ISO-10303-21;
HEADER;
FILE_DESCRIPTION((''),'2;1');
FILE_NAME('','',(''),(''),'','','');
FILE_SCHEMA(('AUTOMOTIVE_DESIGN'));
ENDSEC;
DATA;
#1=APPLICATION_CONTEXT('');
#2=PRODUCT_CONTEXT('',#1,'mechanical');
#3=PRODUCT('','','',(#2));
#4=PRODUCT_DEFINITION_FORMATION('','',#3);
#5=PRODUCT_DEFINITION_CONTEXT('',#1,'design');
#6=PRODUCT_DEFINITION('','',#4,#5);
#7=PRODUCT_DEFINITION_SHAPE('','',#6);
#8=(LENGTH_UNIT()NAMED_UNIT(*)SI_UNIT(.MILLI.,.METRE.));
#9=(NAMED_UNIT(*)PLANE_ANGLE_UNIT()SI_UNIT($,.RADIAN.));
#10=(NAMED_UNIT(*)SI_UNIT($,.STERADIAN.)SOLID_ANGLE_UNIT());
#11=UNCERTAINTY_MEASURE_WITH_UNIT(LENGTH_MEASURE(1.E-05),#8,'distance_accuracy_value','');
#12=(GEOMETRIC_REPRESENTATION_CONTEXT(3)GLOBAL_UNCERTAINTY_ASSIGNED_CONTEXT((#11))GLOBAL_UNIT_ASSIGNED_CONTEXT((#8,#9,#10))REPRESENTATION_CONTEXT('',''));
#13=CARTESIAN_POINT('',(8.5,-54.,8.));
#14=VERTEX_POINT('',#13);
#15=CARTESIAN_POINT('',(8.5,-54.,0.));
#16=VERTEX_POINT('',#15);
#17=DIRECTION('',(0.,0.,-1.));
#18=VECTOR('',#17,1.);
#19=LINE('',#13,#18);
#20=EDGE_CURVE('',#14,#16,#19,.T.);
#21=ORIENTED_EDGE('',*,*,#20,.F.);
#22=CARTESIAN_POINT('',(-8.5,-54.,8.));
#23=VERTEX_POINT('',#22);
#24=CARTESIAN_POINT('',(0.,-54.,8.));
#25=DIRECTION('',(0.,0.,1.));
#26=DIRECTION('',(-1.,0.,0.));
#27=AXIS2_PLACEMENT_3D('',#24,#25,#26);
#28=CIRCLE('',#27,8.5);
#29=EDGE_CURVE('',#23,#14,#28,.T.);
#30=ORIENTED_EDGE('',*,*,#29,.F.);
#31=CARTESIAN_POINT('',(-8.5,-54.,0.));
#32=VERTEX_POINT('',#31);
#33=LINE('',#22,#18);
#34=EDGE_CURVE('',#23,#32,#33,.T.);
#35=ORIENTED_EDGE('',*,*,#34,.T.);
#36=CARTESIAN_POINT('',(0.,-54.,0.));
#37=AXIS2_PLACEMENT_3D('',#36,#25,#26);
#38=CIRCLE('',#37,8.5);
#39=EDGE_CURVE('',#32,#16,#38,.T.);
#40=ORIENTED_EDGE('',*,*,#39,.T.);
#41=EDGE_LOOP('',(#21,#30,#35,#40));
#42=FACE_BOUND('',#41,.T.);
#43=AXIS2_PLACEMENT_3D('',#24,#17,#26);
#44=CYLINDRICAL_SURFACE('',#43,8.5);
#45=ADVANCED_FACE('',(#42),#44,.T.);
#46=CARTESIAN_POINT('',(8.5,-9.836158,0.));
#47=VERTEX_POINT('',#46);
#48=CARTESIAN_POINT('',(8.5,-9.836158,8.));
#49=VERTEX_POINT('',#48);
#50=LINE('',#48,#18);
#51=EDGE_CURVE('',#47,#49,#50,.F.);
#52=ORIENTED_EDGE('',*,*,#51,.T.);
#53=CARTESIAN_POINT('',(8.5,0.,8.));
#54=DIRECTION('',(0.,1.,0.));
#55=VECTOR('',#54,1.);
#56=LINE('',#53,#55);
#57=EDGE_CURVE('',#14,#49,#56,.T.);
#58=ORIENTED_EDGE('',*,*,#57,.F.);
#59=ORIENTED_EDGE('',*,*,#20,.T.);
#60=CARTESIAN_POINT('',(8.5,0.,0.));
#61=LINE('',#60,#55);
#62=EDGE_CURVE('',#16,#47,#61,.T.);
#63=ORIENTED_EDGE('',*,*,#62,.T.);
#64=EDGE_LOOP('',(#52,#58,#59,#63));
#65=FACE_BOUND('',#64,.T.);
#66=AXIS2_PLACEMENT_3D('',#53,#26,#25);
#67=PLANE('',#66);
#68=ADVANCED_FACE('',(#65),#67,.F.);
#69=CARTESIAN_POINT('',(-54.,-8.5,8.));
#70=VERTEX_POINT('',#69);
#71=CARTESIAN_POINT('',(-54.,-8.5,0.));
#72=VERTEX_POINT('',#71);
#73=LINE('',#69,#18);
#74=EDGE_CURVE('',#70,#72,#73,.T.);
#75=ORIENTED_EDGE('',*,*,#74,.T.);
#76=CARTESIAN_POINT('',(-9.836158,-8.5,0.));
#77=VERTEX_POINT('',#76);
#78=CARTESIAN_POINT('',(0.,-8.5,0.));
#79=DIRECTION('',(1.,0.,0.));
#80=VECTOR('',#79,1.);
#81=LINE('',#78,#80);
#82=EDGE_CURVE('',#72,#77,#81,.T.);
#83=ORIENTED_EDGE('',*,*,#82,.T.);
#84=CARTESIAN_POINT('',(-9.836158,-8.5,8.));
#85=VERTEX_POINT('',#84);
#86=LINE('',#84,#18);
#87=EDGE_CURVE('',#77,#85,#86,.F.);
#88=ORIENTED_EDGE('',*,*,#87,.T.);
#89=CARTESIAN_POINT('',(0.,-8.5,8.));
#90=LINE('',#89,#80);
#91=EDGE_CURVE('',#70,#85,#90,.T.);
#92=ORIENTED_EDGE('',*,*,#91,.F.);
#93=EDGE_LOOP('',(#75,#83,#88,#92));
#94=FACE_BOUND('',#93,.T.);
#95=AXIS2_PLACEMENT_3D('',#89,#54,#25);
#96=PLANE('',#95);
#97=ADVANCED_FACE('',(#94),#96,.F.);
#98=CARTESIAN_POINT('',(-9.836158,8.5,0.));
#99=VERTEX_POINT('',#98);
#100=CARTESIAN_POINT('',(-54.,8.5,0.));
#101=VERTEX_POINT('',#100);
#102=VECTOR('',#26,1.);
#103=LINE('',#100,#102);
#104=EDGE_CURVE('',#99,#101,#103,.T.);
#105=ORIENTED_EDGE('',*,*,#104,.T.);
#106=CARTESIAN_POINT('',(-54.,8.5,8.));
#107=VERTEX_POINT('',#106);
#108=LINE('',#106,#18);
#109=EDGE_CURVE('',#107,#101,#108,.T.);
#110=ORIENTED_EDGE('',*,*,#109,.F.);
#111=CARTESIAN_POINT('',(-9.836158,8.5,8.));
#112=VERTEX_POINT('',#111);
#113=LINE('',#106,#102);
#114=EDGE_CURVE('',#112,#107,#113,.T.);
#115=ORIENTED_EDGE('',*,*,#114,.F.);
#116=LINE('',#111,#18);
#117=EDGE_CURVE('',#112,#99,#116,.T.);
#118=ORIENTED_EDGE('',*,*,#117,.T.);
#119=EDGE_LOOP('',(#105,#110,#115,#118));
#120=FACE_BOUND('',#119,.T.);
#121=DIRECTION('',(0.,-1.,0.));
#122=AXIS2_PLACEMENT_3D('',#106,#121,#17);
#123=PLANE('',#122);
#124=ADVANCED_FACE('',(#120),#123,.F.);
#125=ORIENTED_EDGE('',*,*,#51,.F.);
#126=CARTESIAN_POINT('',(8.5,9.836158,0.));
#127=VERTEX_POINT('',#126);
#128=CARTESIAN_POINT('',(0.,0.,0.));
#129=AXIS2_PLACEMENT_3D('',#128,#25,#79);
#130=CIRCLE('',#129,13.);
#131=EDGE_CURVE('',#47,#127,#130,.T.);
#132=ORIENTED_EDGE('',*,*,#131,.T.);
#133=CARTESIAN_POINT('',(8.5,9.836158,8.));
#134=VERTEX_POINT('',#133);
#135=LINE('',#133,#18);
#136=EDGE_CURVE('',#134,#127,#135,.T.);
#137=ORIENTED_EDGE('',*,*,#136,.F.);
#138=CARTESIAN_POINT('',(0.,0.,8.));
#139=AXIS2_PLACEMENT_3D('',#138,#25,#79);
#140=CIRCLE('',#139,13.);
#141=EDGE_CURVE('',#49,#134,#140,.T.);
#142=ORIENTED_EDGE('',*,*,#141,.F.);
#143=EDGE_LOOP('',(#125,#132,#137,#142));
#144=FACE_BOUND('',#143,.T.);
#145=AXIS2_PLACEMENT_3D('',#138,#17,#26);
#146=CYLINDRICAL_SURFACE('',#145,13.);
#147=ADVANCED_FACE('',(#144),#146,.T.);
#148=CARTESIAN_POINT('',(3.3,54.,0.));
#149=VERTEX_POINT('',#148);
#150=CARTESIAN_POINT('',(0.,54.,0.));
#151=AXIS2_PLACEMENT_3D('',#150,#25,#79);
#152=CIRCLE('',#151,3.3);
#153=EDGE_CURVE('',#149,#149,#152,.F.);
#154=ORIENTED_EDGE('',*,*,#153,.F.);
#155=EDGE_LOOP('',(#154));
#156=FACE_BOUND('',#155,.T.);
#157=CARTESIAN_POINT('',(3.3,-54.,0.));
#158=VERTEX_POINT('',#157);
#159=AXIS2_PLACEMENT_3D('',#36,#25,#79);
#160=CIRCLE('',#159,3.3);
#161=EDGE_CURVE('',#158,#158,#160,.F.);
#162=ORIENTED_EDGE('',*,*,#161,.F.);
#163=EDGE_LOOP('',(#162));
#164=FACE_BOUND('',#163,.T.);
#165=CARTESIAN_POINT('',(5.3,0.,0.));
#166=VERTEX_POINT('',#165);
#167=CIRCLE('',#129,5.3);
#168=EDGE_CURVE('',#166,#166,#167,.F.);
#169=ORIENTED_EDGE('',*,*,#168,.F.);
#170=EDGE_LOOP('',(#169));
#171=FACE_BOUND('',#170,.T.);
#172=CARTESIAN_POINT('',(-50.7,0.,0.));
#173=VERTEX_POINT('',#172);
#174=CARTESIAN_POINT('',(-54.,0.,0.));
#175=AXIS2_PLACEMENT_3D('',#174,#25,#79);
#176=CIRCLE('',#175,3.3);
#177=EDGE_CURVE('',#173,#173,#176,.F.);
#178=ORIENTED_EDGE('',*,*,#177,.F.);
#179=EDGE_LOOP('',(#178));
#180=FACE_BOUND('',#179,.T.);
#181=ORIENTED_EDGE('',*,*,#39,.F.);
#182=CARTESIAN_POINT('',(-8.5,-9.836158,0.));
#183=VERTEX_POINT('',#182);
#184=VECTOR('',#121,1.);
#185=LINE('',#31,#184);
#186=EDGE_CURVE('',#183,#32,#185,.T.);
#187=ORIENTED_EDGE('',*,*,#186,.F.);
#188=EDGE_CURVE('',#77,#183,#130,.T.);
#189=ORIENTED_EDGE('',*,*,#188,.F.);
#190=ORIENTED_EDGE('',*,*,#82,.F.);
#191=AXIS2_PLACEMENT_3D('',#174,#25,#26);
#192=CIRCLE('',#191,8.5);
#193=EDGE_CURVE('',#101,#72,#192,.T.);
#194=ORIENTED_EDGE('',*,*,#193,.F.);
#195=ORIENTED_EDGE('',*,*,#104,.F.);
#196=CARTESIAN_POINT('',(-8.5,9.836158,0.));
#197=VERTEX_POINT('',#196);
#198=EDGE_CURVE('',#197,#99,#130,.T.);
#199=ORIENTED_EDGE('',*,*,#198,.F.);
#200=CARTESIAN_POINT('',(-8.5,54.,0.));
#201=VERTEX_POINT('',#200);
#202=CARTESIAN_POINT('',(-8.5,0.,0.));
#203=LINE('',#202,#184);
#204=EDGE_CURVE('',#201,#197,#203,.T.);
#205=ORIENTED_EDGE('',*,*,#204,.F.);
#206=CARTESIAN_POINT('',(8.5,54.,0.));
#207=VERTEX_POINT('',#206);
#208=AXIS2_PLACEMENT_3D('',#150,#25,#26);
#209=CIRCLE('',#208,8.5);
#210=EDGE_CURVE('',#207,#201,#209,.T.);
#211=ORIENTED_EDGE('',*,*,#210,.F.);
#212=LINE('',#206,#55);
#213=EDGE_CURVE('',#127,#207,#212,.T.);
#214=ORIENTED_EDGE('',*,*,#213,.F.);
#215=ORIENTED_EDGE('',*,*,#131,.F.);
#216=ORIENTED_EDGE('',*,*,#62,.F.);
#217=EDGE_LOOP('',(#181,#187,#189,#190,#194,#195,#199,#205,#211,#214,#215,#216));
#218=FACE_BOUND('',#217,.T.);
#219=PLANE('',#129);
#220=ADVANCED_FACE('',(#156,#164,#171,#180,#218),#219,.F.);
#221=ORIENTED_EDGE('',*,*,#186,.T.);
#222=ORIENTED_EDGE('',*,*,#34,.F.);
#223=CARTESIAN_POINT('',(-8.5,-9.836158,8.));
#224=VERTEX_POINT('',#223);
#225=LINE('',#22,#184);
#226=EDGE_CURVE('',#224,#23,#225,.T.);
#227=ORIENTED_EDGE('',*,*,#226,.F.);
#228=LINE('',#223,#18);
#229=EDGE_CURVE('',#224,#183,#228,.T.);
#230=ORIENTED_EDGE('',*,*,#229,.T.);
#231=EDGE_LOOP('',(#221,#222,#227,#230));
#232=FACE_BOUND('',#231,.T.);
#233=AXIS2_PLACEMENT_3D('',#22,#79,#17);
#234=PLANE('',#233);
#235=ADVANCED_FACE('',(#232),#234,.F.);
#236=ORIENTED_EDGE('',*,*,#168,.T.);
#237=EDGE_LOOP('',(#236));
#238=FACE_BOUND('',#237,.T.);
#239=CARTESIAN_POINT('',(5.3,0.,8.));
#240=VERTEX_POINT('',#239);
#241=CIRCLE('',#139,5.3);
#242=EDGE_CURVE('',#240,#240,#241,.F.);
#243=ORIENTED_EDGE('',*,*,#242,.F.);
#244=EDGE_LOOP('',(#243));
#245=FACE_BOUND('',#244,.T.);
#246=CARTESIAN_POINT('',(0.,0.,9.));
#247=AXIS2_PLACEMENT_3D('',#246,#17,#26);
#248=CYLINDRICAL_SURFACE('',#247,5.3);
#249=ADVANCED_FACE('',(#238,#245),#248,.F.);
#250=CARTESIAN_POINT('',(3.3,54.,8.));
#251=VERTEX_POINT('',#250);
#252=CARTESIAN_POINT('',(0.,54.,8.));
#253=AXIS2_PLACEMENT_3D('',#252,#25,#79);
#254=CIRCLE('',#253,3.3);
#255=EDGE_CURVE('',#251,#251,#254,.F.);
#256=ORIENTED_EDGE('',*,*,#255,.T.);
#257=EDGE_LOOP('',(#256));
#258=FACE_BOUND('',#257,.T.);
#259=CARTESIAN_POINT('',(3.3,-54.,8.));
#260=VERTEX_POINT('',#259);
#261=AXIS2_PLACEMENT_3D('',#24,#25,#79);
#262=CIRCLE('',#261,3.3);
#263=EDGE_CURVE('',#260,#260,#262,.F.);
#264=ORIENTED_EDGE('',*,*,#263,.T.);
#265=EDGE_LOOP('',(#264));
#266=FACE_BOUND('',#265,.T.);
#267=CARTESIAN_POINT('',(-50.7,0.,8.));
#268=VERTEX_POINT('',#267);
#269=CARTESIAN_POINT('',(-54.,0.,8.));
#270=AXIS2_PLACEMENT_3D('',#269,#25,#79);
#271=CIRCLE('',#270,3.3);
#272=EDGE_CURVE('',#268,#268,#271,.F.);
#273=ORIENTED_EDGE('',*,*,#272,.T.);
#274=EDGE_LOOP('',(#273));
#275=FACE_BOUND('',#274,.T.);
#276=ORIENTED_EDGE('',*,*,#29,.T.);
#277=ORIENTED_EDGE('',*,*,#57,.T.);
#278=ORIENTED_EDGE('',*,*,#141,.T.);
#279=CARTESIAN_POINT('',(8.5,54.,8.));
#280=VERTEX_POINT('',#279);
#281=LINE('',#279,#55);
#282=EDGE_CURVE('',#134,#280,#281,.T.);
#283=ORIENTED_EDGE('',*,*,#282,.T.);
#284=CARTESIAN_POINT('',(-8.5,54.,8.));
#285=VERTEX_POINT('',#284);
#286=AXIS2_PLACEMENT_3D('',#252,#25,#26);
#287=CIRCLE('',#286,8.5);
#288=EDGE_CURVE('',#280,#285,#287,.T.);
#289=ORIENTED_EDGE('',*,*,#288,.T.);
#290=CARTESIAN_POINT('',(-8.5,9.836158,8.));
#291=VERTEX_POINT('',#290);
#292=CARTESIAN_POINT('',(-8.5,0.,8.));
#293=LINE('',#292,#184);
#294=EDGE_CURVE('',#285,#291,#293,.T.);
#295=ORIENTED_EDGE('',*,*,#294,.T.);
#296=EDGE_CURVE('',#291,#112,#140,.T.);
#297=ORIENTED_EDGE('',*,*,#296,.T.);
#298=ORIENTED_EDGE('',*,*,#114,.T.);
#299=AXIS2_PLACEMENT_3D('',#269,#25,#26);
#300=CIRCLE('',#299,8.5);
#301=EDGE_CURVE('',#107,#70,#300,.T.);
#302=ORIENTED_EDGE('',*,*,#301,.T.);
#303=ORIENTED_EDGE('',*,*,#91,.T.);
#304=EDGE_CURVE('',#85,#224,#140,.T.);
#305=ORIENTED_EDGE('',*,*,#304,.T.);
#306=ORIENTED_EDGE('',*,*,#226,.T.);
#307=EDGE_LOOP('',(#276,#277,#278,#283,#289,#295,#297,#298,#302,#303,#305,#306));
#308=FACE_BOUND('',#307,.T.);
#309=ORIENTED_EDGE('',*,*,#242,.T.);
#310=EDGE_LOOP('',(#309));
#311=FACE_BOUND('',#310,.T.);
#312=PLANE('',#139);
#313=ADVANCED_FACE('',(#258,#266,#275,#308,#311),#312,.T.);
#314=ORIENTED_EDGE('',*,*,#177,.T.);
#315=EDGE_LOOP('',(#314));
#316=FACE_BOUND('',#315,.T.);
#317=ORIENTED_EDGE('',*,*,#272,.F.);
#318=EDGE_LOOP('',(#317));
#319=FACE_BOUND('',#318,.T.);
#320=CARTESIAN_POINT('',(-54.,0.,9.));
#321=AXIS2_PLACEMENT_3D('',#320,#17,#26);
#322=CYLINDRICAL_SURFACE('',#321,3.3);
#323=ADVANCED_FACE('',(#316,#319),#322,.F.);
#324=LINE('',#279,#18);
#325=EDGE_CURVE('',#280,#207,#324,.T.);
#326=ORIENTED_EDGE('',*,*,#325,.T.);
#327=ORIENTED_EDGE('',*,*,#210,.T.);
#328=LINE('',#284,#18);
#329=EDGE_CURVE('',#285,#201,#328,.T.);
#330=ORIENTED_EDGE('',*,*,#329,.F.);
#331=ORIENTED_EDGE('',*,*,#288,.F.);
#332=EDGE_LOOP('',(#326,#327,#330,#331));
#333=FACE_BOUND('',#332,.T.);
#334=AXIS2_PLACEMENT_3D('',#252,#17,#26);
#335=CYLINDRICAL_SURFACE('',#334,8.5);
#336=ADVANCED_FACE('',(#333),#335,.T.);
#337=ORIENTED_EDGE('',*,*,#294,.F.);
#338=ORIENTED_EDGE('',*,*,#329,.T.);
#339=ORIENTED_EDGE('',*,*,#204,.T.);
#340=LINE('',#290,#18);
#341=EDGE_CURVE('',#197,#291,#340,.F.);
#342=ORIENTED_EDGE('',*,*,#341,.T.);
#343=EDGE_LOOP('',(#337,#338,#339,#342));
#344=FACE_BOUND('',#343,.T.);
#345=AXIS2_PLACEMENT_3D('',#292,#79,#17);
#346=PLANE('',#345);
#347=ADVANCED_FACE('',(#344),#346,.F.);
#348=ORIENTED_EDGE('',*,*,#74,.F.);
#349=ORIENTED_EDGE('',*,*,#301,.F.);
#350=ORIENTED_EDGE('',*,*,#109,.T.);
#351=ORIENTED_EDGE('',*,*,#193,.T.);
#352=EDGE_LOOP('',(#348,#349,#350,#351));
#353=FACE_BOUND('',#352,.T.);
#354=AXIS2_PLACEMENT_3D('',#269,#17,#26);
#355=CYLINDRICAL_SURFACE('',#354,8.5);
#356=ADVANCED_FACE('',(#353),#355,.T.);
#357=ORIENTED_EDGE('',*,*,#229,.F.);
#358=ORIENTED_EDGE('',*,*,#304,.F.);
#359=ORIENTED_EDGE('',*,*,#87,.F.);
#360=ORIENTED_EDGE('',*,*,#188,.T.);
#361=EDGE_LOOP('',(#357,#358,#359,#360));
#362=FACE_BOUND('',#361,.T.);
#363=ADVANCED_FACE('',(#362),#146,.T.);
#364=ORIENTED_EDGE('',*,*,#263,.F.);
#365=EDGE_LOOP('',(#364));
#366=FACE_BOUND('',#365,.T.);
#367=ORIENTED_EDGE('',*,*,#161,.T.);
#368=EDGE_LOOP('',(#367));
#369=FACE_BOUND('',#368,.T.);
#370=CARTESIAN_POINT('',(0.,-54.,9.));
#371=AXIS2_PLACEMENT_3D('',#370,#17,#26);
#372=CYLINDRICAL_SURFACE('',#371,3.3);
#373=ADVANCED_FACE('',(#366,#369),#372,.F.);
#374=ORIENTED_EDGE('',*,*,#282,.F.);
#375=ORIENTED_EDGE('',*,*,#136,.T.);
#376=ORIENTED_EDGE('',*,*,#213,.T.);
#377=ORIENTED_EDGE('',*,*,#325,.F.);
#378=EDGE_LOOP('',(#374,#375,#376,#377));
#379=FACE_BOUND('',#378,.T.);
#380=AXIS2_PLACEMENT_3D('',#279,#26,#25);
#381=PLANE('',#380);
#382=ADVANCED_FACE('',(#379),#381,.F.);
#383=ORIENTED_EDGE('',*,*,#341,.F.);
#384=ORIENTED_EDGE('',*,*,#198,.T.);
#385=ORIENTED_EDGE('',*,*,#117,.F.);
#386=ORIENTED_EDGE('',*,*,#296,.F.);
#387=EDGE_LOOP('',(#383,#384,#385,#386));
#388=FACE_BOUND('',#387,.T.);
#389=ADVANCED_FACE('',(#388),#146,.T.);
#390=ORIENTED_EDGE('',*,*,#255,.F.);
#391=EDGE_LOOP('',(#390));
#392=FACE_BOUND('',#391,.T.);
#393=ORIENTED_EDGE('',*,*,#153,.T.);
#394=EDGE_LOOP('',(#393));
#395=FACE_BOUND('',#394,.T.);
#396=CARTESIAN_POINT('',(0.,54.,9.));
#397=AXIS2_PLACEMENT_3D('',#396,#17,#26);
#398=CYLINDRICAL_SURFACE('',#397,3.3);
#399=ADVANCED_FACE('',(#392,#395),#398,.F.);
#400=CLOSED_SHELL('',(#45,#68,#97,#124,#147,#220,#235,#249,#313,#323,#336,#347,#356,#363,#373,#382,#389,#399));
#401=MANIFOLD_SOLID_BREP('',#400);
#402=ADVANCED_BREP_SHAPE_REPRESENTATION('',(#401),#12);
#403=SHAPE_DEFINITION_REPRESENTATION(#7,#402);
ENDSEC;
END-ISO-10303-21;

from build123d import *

# Parameters (mm, degrees)
S01_CENTRAL_SPINDLE_PAD_R         = 13
F_01_CENTRAL_SPINDLE_PAD_DEPTH    = 8
F_02_CAGE_RIB_1_DEPTH             = 8
F_03_CAGE_RIB_2_DEPTH             = 8
F_04_CAGE_RIB_3_DEPTH             = 8
F_05_START                        = -1
S05_THREE_CAGE_BOLT_HOLES_R       = 3.3
F_05_THREE_CAGE_BOLT_HOLES_DEPTH  = 10
F_06_START                        = -1
S06_SPINDLE_STEM_CLEARANCE_R      = 5.3
F_06_SPINDLE_STEM_CLEARANCE_DEPTH = 10


with BuildPart() as part:
    # S01 - Central spindle pad → 01 - Central spindle pad (new body)
    with BuildSketch(Plane.XY):
        Circle(S01_CENTRAL_SPINDLE_PAD_R)
    extrude(amount=F_01_CENTRAL_SPINDLE_PAD_DEPTH)

    # S02 - Cage rib 1 → 02 - Cage rib 1 (add)
    with BuildSketch(Plane.XY):
        with BuildLine():
            Line((-8.5, 0), (-8.5, 54))
            ThreePointArc((-8.5, 54), (0, 62.5), (8.5, 54))
            Line((8.5, 54), (8.5, 0))
            ThreePointArc((8.5, 0), (0, -8.5), (-8.5, 0))
        make_face()
    extrude(amount=F_02_CAGE_RIB_1_DEPTH)

    # S03 - Cage rib 2 → 03 - Cage rib 2 (add)
    with BuildSketch(Plane.XY):
        with BuildLine():
            Line((0, -8.5), (-54, -8.5))
            ThreePointArc((-54, -8.5), (-62.5, 0), (-54, 8.5))
            Line((-54, 8.5), (0, 8.5))
            ThreePointArc((0, 8.5), (8.5, 0), (0, -8.5))
        make_face()
    extrude(amount=F_03_CAGE_RIB_2_DEPTH)

    # S04 - Cage rib 3 → 04 - Cage rib 3 (add)
    with BuildSketch(Plane.XY):
        with BuildLine():
            Line((8.5, 0), (8.5, -54))
            ThreePointArc((8.5, -54), (0, -62.5), (-8.5, -54))
            Line((-8.5, -54), (-8.5, 0))
            ThreePointArc((-8.5, 0), (0, 8.5), (8.5, 0))
        make_face()
    extrude(amount=F_04_CAGE_RIB_3_DEPTH)

    # S05 - Three cage bolt holes → 05 - Three cage bolt holes (cut)
    with BuildSketch(Plane.XY.offset(F_05_START)):
        with Locations((0, 54)):
            Circle(S05_THREE_CAGE_BOLT_HOLES_R)
        with Locations((-54, 0)):
            Circle(S05_THREE_CAGE_BOLT_HOLES_R)
        with Locations((0, -54)):
            Circle(S05_THREE_CAGE_BOLT_HOLES_R)
    extrude(amount=F_05_THREE_CAGE_BOLT_HOLES_DEPTH, mode=Mode.SUBTRACT)

    # S06 - Spindle stem clearance → 06 - Spindle stem clearance (cut)
    with BuildSketch(Plane.XY.offset(F_06_START)):
        Circle(S06_SPINDLE_STEM_CLEARANCE_R)
    extrude(amount=F_06_SPINDLE_STEM_CLEARANCE_DEPTH, mode=Mode.SUBTRACT)


solid = part.part
